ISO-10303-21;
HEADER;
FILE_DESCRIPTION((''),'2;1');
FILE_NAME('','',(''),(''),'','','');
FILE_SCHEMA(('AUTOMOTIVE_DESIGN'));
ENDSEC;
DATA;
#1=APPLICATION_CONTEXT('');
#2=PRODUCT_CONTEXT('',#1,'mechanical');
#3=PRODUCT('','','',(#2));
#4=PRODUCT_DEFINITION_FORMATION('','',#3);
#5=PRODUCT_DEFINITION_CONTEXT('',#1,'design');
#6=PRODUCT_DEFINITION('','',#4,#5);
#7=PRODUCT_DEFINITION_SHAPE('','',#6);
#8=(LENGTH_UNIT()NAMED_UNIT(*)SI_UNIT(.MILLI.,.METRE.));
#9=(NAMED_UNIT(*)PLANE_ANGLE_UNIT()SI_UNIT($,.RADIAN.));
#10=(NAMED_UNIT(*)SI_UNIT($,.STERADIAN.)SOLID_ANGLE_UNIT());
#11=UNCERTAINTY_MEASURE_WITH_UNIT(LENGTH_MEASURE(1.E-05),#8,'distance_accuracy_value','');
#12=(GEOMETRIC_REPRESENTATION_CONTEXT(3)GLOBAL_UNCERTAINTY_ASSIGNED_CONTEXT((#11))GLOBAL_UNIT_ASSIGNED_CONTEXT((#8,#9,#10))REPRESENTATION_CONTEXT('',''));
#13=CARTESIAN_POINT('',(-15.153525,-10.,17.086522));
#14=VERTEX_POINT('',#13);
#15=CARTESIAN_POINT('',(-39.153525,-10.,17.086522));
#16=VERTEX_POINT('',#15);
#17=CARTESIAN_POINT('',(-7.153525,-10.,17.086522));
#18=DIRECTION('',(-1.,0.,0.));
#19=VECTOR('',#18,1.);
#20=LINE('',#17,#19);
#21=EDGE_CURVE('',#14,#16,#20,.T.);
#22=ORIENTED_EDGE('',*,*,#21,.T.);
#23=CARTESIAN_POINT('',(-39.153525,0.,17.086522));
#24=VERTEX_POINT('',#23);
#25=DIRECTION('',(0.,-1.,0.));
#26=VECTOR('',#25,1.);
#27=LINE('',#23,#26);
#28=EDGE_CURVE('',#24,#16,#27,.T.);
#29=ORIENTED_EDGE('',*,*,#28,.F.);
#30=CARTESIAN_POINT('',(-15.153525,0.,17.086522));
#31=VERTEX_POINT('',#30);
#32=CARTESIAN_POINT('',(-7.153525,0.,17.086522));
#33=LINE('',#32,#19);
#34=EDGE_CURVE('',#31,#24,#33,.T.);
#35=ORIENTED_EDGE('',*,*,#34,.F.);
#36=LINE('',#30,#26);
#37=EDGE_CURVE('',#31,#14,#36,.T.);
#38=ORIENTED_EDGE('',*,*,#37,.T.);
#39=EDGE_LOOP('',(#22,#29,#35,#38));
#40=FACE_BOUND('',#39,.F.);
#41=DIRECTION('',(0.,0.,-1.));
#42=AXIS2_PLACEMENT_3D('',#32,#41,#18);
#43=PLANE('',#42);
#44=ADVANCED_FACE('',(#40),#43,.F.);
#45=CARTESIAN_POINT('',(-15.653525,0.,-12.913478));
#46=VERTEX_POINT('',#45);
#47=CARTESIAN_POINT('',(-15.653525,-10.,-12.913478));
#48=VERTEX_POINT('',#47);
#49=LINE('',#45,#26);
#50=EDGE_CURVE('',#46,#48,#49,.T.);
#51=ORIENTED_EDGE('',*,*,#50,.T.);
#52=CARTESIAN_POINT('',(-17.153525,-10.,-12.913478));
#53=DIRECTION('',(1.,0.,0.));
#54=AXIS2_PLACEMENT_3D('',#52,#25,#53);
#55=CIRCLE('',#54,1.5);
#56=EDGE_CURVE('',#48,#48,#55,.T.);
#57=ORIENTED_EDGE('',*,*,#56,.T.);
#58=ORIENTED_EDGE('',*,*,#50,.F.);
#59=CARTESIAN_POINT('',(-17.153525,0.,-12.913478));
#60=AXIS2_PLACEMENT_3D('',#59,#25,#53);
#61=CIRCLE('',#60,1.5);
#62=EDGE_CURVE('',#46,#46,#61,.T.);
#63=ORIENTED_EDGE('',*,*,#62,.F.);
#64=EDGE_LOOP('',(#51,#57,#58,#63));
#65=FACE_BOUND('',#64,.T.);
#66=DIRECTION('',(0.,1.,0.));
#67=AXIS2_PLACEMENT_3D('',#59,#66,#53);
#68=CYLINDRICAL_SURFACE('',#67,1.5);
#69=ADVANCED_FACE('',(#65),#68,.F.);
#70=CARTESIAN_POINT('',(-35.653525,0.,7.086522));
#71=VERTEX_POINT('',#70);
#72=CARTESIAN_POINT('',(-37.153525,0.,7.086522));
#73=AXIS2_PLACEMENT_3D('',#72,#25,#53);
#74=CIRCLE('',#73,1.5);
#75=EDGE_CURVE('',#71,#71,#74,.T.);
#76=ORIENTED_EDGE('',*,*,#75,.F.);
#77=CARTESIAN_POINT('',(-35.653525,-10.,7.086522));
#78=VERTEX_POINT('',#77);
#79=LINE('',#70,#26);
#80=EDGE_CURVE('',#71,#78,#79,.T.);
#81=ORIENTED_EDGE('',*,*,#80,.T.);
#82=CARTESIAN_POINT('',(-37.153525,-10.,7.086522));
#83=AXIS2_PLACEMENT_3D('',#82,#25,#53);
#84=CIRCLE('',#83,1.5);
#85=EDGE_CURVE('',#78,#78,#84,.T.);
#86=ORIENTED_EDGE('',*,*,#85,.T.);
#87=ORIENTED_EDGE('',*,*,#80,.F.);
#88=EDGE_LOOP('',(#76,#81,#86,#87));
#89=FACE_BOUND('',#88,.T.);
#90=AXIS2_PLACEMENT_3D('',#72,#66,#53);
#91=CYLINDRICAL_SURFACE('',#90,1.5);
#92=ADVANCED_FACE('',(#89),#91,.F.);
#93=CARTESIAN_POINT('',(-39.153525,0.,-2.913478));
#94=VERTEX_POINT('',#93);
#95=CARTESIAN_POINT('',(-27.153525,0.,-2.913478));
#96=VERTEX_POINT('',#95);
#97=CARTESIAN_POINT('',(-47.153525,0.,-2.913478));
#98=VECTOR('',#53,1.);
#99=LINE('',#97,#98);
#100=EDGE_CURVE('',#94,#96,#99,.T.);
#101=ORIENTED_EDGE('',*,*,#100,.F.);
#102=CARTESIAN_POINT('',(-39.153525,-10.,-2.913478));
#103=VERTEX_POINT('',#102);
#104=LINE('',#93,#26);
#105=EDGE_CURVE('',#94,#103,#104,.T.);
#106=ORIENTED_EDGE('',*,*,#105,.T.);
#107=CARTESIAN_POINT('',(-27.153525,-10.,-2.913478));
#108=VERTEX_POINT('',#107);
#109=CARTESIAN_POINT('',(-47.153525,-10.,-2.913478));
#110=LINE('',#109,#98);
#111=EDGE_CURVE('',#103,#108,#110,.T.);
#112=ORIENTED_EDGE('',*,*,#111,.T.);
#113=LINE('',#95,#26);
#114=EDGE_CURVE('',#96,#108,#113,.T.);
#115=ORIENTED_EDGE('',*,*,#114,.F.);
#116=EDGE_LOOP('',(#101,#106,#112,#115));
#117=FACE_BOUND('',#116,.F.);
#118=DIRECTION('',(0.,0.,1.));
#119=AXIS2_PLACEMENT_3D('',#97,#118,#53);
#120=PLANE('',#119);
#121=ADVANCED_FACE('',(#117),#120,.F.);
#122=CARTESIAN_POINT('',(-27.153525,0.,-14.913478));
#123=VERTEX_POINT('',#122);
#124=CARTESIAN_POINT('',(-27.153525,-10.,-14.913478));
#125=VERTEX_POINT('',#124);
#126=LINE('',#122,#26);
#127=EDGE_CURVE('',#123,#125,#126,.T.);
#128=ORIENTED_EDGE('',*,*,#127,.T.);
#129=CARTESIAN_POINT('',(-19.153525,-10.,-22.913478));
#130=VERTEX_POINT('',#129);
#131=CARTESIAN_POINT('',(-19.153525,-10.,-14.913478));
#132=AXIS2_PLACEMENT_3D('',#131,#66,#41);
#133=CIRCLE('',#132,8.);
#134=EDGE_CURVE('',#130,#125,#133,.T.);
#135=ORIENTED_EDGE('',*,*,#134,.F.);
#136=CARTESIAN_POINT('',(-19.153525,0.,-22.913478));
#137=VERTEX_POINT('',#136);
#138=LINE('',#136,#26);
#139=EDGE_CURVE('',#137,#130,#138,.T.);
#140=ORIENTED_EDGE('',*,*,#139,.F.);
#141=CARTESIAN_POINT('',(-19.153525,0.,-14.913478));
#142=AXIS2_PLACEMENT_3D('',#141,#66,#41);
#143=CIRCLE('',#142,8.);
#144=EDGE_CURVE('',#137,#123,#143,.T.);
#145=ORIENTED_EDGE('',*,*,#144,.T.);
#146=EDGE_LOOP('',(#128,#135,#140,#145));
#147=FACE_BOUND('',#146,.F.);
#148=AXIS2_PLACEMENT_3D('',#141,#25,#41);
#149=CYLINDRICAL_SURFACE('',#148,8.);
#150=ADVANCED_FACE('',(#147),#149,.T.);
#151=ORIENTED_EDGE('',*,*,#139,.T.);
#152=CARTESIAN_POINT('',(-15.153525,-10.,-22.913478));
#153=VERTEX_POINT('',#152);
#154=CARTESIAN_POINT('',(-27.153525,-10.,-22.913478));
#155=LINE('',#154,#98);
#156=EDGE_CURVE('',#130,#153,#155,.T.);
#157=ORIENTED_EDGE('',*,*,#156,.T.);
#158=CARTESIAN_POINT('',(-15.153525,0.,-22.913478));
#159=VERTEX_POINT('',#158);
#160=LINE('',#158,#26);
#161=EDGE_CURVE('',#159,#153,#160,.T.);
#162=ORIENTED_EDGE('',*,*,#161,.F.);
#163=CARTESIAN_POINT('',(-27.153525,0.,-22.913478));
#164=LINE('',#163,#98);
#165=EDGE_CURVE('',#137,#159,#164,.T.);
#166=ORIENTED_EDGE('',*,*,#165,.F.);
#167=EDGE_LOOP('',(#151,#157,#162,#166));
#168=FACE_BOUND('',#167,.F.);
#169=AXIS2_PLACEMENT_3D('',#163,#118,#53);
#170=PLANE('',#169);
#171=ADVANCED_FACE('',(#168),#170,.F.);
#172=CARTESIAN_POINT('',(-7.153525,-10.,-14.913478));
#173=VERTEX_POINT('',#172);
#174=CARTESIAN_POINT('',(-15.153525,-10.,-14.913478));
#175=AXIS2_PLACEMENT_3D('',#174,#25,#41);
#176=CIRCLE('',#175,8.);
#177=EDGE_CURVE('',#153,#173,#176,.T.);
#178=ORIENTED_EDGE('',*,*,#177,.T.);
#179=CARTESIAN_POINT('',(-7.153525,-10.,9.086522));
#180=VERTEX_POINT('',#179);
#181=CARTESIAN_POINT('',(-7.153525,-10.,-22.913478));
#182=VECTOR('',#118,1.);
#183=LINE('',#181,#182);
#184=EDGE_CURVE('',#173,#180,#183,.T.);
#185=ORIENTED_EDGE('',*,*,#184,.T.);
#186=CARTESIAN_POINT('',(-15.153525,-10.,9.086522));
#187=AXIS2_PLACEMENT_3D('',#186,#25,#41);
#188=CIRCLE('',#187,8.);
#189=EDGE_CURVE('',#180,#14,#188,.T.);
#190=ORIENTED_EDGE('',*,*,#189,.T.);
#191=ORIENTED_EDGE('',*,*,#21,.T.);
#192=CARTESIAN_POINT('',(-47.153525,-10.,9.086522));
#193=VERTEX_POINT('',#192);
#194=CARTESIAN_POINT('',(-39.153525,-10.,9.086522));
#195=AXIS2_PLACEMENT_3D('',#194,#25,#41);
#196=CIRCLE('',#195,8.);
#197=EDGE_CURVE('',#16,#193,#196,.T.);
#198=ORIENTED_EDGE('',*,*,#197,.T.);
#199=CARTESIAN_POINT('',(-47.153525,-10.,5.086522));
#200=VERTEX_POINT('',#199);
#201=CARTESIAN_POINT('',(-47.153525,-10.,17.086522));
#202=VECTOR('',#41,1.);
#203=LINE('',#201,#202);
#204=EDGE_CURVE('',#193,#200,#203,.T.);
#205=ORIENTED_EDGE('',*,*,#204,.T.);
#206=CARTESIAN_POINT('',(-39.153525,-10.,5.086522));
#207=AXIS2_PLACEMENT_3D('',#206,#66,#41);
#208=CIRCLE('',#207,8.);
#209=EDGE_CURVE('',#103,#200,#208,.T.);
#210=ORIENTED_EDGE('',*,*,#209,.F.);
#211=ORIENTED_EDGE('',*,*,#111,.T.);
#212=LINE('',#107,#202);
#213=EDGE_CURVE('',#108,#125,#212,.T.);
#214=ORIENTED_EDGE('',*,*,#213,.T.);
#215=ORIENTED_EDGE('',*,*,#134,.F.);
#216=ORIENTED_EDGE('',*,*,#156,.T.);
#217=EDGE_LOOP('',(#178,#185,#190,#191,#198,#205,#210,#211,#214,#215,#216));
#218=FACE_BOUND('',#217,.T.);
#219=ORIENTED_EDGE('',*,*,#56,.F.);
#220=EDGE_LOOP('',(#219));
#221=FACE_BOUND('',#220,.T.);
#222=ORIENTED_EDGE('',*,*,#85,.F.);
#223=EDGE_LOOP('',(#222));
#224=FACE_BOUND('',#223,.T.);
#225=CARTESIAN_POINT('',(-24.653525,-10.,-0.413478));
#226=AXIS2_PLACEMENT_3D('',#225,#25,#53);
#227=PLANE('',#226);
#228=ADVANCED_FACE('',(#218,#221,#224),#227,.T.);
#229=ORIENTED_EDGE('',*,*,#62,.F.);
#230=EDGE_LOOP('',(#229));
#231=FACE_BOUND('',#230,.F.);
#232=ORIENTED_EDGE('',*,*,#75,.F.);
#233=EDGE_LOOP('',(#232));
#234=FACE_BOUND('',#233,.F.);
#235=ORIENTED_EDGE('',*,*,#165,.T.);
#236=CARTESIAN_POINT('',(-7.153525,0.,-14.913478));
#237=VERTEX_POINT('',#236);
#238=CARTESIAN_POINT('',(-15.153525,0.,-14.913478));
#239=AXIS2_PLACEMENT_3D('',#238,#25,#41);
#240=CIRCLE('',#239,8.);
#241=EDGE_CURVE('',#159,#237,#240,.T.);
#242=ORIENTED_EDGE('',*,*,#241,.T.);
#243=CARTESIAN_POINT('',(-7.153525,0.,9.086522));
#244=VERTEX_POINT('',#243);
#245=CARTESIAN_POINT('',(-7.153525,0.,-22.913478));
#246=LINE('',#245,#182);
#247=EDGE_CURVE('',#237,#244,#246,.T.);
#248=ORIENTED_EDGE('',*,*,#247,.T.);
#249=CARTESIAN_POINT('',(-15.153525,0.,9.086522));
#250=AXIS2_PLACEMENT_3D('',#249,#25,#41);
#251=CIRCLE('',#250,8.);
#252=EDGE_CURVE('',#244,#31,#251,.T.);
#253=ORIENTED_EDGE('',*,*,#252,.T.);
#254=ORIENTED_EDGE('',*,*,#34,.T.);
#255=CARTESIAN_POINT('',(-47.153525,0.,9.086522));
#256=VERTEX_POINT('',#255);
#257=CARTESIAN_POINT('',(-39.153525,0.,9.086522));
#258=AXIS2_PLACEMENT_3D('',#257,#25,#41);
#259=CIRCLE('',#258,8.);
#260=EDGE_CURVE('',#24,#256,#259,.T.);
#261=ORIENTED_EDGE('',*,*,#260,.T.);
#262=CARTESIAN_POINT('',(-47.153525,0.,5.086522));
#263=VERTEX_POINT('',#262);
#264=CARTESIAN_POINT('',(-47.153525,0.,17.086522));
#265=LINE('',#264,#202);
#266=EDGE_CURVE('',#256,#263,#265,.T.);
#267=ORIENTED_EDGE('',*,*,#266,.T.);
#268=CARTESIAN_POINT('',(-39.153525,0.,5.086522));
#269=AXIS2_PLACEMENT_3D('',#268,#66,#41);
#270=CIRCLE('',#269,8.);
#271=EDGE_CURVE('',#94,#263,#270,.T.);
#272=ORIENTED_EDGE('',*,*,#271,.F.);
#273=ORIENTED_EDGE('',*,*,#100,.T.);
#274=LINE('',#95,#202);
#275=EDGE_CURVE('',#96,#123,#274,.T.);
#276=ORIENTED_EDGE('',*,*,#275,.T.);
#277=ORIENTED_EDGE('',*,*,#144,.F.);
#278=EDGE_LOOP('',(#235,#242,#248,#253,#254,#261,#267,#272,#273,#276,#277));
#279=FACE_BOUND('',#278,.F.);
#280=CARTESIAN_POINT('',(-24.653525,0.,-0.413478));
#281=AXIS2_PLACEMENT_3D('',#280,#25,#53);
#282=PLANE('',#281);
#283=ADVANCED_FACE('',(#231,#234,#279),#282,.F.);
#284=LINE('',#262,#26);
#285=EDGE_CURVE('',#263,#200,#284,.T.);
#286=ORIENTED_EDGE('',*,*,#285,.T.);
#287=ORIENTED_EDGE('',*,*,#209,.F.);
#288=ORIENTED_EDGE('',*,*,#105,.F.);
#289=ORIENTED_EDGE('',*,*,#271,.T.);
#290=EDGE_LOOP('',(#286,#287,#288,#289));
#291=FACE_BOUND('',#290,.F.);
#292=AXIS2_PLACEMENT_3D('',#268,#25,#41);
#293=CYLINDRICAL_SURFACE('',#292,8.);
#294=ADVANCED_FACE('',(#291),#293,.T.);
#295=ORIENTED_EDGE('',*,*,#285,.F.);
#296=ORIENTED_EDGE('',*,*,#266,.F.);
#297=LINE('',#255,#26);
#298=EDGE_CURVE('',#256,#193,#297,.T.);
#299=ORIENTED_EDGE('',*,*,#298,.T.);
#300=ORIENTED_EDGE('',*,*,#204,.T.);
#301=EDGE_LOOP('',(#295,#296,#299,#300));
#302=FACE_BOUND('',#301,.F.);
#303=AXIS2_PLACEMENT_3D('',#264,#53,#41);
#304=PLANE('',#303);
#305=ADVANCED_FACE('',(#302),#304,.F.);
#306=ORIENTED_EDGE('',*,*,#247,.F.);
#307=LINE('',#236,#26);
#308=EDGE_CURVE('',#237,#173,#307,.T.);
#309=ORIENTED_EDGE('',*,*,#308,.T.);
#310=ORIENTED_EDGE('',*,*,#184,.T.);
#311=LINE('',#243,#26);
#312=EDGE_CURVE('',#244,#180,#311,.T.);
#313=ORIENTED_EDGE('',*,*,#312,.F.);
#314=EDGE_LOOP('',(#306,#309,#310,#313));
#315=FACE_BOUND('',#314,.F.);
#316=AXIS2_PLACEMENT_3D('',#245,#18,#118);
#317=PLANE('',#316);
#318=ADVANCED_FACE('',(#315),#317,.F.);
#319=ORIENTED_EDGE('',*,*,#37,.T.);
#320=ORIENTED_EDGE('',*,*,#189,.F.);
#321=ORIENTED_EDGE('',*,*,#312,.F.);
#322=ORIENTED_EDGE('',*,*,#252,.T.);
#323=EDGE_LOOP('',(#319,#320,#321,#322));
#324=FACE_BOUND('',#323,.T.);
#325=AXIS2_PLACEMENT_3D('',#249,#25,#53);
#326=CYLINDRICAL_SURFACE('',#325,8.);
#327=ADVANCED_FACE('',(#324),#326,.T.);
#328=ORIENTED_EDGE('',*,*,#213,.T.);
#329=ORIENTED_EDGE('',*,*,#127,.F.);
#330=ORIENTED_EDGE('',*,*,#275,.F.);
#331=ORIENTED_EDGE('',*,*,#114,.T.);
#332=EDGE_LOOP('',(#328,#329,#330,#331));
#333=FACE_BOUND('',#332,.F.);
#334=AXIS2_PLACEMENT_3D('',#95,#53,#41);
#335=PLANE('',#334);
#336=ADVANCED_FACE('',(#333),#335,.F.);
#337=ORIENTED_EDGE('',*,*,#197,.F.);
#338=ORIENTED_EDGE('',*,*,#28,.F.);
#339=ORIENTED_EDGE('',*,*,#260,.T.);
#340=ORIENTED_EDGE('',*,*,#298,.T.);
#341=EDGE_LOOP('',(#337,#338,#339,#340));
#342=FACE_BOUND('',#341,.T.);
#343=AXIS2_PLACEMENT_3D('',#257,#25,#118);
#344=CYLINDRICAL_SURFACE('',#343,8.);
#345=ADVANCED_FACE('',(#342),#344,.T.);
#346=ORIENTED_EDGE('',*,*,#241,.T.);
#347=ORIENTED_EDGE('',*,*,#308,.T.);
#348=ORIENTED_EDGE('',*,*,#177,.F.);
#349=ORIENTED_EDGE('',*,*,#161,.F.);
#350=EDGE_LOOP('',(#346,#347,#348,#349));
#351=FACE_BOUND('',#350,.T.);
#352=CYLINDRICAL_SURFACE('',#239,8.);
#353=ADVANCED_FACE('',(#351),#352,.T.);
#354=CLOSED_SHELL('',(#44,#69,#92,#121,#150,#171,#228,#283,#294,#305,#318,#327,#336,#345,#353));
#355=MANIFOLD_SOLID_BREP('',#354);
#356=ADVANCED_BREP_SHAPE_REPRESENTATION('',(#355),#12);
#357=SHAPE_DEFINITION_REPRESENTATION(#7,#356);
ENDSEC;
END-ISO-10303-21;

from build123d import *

# Parameters (mm, degrees)
F0_R     = 1.5
F1_DEPTH = 10
F2_R     = 8


with BuildPart() as f1:
    # F0 (on Front) → F1 (new body)
    with BuildSketch(Plane.XZ):
        Polygon((-27.153525, -22.913478), (-7.153525, -22.913478), (-7.153525, -2.913478), (-7.153525, 17.086522), (-27.153525, 17.086522), (-47.153525, 17.086522), (-47.153525, -2.913478), (-27.153525, -2.913478), align=None)
        with Locations((-17.153525, -12.913478)):
            Circle(F0_R, mode=Mode.SUBTRACT)
        with Locations((-37.153525, 7.086522)):
            Circle(F0_R, mode=Mode.SUBTRACT)
    extrude(amount=F1_DEPTH)

    # F2
    f2_edges = [f1.edges().sort_by_distance(p)[0] for p in [
        (-7.153525, -5, 17.086522),
        (-47.153525, -5, 17.086522),
        (-47.153525, -5, -2.913478),
        (-27.153525, -5, -22.913478),
        (-7.153525, -5, -22.913478),
    ]]
    fillet(f2_edges, radius=F2_R)


solid = f1.part
